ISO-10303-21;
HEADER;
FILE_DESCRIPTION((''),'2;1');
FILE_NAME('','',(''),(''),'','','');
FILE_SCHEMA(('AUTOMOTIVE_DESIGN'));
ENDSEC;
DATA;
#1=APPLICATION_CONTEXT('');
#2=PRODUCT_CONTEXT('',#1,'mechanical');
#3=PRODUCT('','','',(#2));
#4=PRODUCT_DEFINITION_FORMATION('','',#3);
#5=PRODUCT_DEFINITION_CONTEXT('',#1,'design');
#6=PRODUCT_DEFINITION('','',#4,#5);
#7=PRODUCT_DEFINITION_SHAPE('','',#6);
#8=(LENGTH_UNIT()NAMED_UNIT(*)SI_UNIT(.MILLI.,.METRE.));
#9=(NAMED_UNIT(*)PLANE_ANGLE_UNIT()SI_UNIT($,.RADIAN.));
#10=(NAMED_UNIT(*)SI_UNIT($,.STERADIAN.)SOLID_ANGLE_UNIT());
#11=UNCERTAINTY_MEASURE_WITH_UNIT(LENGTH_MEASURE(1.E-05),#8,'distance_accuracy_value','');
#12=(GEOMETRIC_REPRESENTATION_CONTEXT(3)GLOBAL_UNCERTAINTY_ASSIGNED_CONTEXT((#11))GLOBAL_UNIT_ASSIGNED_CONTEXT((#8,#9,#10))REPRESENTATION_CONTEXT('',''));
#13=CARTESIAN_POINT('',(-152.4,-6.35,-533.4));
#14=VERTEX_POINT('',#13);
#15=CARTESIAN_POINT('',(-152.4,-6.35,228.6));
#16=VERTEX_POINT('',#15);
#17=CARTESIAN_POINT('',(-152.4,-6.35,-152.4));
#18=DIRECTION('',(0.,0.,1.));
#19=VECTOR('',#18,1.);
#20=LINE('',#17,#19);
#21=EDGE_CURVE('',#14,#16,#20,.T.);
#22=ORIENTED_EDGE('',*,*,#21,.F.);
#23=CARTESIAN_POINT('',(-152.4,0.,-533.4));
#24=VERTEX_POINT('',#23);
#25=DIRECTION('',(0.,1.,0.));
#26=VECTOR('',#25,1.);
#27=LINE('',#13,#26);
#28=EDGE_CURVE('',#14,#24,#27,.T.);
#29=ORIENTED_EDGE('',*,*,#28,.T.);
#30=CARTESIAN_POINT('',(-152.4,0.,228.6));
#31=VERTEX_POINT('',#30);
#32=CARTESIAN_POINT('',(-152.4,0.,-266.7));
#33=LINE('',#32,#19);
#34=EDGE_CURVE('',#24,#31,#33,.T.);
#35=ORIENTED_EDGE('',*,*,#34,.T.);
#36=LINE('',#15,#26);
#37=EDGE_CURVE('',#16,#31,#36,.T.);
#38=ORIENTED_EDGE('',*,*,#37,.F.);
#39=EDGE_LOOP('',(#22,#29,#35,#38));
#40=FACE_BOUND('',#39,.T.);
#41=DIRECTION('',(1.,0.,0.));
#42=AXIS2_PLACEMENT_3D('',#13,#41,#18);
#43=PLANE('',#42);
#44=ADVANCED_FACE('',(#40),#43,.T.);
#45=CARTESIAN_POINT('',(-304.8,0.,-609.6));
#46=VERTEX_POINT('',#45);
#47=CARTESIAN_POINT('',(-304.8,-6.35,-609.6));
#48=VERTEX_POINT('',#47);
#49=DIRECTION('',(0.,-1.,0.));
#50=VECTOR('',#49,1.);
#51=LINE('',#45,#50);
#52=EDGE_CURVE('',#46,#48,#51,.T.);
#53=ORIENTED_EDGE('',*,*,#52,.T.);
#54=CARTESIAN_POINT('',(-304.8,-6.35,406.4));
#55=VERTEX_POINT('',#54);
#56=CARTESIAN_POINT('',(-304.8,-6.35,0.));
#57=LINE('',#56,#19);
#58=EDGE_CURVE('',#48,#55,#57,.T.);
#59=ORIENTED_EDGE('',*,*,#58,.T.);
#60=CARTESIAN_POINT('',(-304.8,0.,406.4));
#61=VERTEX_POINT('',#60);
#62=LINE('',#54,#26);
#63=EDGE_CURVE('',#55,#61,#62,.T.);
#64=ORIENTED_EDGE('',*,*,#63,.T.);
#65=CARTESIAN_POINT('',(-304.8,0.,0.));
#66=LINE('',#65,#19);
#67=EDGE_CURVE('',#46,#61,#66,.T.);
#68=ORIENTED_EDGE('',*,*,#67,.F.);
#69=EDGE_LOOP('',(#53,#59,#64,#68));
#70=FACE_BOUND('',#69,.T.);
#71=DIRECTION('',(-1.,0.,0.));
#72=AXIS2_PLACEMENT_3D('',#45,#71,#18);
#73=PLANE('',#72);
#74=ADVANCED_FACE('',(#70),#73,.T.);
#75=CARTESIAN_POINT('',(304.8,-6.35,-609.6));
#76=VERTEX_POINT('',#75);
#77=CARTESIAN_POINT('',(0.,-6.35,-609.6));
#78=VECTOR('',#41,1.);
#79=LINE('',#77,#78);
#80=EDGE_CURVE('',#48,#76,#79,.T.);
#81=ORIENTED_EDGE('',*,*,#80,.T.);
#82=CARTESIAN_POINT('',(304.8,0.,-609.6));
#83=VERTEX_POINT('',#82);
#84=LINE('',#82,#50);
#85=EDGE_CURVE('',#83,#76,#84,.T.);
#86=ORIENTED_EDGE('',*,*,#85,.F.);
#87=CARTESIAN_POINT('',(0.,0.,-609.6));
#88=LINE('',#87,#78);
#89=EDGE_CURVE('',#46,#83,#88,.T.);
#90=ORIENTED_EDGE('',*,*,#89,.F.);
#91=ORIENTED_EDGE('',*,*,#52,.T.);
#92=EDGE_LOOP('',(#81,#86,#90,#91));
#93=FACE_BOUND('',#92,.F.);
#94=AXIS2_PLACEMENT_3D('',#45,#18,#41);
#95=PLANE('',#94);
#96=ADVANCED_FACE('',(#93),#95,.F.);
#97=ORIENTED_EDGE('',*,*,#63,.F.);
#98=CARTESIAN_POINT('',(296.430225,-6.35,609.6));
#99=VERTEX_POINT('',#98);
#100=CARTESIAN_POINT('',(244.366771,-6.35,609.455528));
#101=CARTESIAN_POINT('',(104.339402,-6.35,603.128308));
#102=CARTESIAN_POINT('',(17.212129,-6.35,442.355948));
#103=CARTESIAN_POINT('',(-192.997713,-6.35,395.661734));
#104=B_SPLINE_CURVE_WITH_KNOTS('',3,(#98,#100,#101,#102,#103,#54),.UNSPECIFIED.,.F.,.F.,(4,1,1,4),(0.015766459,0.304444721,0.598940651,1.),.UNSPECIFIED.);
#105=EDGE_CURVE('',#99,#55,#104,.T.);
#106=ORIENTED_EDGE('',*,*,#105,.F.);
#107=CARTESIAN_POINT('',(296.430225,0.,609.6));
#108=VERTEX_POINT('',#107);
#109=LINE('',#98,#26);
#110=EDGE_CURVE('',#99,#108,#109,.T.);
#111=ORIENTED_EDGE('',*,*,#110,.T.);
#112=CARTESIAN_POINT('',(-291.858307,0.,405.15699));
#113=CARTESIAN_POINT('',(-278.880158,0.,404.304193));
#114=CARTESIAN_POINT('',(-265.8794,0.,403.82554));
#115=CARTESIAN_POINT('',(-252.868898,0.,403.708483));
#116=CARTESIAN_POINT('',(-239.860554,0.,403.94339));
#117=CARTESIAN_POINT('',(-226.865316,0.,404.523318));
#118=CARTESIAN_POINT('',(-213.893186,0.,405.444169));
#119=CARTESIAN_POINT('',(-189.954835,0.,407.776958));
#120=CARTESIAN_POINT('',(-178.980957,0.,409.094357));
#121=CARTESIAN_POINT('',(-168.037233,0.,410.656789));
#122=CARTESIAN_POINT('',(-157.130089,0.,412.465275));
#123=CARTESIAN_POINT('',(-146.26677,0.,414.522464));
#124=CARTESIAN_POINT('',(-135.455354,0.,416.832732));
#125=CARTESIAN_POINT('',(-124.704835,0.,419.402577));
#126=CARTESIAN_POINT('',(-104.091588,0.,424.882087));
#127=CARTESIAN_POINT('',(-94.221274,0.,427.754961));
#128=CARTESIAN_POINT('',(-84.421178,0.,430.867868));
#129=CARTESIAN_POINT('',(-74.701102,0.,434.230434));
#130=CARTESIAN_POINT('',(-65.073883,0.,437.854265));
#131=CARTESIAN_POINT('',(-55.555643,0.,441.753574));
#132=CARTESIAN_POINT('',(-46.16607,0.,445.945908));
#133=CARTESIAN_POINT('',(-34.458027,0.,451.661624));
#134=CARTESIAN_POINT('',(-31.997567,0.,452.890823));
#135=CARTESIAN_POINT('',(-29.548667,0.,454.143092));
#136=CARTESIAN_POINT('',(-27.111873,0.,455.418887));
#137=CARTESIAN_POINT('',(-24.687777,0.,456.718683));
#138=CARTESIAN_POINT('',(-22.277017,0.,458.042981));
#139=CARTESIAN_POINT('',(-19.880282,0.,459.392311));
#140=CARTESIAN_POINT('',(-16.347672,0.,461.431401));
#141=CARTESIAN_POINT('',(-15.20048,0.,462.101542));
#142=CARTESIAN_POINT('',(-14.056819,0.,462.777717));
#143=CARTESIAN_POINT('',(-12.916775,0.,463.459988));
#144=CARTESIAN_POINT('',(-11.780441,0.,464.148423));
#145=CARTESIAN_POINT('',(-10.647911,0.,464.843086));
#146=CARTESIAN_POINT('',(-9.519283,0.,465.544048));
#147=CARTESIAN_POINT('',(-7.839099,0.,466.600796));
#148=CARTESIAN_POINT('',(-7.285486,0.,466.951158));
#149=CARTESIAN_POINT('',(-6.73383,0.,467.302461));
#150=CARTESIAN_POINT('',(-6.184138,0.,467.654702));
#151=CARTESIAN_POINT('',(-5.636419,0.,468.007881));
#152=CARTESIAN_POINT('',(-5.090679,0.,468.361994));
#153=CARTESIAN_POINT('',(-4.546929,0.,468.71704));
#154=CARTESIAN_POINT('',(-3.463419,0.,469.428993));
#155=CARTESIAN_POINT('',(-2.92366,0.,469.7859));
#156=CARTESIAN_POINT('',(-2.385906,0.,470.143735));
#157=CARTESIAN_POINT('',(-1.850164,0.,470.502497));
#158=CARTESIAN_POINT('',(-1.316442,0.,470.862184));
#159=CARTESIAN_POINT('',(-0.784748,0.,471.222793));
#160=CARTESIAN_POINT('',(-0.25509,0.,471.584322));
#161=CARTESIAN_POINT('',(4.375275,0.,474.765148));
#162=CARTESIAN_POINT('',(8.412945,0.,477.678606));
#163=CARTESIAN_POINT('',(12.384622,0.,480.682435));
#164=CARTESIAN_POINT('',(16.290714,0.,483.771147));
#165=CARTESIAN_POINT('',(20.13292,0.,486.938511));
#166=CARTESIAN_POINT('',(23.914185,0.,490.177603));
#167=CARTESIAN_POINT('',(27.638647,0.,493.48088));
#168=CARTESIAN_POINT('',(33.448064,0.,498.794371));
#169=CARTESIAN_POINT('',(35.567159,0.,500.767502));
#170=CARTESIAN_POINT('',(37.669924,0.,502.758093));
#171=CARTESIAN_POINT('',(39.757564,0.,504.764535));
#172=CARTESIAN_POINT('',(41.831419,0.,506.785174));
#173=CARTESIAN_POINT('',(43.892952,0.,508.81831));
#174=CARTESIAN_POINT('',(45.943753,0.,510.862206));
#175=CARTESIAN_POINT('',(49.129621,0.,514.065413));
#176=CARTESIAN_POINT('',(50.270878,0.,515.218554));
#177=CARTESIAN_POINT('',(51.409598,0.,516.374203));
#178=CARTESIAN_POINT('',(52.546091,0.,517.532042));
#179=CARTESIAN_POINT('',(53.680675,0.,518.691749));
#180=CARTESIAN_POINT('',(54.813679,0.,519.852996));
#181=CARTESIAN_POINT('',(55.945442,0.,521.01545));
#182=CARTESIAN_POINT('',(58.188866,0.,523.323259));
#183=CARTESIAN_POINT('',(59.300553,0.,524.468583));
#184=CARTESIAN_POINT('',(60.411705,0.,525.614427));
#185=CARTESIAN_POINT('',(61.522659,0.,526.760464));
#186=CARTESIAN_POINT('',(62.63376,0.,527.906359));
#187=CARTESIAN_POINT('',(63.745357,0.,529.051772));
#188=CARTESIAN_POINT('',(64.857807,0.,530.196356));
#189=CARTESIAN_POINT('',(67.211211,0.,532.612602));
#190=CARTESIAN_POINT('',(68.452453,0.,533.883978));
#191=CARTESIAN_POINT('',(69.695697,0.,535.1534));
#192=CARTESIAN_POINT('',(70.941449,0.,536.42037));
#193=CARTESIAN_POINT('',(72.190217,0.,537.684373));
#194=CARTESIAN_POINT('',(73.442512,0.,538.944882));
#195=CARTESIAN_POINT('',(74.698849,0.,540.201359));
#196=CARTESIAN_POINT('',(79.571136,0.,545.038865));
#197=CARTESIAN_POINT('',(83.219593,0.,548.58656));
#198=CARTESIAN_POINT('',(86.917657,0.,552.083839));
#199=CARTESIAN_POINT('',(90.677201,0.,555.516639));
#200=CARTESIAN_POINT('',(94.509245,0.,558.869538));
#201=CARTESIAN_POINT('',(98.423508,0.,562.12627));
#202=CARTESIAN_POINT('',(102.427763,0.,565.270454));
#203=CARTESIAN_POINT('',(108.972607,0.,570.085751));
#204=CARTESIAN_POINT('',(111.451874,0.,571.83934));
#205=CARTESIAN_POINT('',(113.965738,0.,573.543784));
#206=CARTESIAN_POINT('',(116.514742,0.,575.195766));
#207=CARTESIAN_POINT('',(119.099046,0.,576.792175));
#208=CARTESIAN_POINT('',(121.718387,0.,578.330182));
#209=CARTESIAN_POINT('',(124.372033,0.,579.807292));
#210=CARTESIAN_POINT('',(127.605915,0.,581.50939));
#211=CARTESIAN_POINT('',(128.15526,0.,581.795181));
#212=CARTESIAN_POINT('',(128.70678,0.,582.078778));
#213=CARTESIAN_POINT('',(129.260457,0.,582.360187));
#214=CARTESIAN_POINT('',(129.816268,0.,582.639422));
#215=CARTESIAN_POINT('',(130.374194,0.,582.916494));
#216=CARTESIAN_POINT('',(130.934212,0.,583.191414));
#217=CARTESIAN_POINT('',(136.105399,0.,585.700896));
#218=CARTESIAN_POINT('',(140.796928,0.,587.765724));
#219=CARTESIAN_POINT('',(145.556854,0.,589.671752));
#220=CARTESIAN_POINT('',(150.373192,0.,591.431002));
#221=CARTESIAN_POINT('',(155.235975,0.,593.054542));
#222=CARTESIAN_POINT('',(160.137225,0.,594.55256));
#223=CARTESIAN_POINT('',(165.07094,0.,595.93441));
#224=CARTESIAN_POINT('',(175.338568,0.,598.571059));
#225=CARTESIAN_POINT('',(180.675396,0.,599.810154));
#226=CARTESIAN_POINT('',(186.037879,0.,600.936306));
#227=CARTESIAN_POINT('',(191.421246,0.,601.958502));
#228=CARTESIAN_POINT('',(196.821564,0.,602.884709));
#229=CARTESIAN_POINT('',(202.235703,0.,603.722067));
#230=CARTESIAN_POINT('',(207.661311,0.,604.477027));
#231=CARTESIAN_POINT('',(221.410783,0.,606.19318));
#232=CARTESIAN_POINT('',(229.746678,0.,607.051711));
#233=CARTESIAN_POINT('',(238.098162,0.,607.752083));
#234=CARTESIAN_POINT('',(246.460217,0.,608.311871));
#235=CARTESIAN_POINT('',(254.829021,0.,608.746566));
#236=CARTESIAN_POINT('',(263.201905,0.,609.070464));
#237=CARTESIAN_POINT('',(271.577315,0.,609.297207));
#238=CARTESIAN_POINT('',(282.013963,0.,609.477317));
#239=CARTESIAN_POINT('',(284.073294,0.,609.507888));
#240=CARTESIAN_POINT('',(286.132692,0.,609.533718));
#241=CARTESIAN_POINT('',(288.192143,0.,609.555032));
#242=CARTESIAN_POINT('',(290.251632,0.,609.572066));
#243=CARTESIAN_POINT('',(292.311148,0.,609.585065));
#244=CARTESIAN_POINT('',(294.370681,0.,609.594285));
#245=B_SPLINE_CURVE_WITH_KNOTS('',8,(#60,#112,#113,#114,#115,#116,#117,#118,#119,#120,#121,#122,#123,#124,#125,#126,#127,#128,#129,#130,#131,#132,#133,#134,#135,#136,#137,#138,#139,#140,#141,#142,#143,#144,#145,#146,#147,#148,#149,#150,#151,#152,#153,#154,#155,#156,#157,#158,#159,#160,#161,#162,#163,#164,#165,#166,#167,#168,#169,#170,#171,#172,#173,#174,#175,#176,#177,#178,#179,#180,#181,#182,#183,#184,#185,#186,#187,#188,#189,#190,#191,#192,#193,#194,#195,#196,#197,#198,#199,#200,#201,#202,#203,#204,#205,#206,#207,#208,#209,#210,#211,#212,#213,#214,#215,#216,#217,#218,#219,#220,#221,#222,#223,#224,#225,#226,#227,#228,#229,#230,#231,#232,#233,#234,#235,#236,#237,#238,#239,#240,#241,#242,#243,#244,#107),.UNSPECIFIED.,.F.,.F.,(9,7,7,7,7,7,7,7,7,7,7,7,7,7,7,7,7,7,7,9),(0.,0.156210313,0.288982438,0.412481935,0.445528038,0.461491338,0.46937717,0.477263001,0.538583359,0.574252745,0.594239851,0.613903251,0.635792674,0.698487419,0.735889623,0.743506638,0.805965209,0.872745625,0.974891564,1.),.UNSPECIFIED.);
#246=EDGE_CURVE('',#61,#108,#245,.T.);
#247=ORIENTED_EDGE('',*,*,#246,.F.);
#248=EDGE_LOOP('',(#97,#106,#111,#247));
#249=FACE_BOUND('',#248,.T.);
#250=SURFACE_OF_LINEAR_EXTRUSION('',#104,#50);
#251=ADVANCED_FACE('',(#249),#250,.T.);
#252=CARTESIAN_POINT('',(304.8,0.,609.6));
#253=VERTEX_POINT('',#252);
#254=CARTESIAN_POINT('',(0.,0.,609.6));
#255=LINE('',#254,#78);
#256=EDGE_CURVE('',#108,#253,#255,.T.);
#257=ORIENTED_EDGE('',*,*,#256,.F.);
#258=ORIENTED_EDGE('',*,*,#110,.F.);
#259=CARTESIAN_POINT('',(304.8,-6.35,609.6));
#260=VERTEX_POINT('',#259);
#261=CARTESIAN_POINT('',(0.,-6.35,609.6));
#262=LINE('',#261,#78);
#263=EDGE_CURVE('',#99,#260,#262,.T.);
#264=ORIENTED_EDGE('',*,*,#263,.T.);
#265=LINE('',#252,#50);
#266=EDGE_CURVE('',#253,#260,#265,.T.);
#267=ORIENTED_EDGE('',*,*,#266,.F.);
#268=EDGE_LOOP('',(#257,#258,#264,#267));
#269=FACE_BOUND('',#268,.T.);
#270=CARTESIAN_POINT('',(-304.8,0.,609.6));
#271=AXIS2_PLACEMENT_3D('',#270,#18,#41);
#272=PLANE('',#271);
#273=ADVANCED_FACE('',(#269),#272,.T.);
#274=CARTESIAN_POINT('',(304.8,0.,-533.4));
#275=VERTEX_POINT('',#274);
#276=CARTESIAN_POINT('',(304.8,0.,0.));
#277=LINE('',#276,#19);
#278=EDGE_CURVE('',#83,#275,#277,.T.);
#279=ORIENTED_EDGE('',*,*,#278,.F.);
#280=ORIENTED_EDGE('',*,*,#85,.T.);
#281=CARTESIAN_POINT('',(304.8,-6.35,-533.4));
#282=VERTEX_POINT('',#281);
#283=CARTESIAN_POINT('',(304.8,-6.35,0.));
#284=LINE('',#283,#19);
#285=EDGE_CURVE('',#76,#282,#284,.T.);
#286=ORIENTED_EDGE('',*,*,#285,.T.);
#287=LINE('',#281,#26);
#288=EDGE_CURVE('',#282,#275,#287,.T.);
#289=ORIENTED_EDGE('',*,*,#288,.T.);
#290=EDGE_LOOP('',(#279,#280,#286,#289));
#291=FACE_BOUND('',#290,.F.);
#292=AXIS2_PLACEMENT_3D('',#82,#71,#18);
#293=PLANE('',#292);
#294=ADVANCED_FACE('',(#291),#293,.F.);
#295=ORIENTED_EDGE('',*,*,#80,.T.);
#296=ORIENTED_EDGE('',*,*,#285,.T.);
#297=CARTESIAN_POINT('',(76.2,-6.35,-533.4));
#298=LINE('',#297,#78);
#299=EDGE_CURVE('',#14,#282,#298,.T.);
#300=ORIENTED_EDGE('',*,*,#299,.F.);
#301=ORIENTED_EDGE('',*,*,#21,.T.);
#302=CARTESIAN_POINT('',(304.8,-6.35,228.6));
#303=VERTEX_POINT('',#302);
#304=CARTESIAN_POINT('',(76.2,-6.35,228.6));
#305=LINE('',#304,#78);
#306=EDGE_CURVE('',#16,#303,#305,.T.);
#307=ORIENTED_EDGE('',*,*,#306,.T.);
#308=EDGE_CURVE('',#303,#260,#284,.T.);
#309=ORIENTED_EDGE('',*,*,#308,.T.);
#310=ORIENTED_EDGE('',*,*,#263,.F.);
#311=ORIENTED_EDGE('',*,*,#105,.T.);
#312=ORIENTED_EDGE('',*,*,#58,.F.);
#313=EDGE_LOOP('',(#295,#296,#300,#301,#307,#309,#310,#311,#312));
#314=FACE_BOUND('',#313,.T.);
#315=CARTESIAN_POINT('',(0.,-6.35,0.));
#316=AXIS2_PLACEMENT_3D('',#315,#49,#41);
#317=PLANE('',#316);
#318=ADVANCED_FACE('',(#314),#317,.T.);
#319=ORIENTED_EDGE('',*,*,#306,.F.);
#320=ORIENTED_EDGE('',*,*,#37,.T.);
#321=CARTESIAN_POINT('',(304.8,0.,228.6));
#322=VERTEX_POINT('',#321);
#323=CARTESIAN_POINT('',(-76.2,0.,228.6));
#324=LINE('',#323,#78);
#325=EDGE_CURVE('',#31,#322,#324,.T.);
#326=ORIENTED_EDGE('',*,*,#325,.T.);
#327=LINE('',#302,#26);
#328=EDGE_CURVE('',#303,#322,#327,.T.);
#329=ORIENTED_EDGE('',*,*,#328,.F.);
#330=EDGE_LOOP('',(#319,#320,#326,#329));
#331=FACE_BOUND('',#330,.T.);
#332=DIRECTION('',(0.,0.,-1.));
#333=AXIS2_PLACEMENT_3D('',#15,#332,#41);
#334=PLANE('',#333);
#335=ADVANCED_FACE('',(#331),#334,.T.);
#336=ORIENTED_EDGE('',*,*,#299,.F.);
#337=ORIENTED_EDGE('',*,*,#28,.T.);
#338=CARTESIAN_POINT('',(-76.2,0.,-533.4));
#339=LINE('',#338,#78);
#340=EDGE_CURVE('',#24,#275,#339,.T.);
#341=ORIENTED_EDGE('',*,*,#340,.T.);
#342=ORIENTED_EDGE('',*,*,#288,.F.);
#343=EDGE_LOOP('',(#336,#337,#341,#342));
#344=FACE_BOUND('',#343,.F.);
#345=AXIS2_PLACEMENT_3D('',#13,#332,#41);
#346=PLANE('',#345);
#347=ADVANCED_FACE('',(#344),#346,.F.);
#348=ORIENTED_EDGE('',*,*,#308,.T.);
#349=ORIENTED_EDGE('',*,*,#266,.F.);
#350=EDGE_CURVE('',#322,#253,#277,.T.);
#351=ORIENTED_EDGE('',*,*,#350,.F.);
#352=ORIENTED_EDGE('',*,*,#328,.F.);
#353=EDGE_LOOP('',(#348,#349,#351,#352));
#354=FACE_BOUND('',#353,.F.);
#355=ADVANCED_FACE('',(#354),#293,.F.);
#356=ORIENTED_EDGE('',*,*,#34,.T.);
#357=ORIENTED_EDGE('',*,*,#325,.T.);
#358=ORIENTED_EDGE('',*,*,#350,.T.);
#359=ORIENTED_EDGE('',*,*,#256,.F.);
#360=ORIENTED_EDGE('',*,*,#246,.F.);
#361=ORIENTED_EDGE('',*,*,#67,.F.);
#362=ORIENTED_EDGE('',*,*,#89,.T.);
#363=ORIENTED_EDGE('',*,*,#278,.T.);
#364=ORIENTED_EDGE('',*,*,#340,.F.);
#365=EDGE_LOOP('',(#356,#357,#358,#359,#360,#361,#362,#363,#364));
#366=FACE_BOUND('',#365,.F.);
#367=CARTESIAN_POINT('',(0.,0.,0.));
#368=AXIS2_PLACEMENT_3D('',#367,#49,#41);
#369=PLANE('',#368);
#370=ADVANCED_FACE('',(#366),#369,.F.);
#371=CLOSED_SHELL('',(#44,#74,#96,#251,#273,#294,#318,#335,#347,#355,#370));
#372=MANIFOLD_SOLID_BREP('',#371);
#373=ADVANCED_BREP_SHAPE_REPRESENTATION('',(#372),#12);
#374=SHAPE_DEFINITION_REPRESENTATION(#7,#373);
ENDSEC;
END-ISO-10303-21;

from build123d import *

# Parameters (mm, degrees)
F0_W     = 609.6
F0_H     = 1219.2
F1_DEPTH = 6.35
F2_W     = 457.2
F2_H     = 762
F3_DEPTH = 6.351
F5_DEPTH = 6.351


with BuildPart() as f1:
    # F0 (on Front) → F1 (new body)
    with BuildSketch(Plane.XZ):
        Rectangle(F0_W, F0_H)
    extrude(amount=F1_DEPTH)

    # F2 (on face) → F3 (cut, through all)
    with BuildSketch(Plane.XZ.offset(6.35)):
        with Locations((76.2, -152.4)):
            Rectangle(F2_W, F2_H)
    extrude(amount=-F3_DEPTH, mode=Mode.SUBTRACT)

    # F4 (on face) → F5 (cut, through all)
    with BuildSketch(Plane.XZ.offset(6.35)):
        with BuildLine():
            add(Edge.make_bspline(
                [(296.4302246945, 609.6), (244.3667710116, 609.455527572), (104.3394022526, 603.1283084808), (17.2121287356, 442.3559476606), (-192.9977127392, 395.6617339132), (-304.8, 406.4)],
                knots=[0.0157664589, 0.0157664589, 0.0157664589, 0.0157664589, 0.3044447211, 0.5989406507, 1, 1, 1, 1], degree=3))
            Line((296.4302246945, 609.6), (-304.8, 609.6))
            Line((-304.8, 609.6), (-304.8, 406.4))
        make_face()
    extrude(amount=-F5_DEPTH, mode=Mode.SUBTRACT)


solid = f1.part
